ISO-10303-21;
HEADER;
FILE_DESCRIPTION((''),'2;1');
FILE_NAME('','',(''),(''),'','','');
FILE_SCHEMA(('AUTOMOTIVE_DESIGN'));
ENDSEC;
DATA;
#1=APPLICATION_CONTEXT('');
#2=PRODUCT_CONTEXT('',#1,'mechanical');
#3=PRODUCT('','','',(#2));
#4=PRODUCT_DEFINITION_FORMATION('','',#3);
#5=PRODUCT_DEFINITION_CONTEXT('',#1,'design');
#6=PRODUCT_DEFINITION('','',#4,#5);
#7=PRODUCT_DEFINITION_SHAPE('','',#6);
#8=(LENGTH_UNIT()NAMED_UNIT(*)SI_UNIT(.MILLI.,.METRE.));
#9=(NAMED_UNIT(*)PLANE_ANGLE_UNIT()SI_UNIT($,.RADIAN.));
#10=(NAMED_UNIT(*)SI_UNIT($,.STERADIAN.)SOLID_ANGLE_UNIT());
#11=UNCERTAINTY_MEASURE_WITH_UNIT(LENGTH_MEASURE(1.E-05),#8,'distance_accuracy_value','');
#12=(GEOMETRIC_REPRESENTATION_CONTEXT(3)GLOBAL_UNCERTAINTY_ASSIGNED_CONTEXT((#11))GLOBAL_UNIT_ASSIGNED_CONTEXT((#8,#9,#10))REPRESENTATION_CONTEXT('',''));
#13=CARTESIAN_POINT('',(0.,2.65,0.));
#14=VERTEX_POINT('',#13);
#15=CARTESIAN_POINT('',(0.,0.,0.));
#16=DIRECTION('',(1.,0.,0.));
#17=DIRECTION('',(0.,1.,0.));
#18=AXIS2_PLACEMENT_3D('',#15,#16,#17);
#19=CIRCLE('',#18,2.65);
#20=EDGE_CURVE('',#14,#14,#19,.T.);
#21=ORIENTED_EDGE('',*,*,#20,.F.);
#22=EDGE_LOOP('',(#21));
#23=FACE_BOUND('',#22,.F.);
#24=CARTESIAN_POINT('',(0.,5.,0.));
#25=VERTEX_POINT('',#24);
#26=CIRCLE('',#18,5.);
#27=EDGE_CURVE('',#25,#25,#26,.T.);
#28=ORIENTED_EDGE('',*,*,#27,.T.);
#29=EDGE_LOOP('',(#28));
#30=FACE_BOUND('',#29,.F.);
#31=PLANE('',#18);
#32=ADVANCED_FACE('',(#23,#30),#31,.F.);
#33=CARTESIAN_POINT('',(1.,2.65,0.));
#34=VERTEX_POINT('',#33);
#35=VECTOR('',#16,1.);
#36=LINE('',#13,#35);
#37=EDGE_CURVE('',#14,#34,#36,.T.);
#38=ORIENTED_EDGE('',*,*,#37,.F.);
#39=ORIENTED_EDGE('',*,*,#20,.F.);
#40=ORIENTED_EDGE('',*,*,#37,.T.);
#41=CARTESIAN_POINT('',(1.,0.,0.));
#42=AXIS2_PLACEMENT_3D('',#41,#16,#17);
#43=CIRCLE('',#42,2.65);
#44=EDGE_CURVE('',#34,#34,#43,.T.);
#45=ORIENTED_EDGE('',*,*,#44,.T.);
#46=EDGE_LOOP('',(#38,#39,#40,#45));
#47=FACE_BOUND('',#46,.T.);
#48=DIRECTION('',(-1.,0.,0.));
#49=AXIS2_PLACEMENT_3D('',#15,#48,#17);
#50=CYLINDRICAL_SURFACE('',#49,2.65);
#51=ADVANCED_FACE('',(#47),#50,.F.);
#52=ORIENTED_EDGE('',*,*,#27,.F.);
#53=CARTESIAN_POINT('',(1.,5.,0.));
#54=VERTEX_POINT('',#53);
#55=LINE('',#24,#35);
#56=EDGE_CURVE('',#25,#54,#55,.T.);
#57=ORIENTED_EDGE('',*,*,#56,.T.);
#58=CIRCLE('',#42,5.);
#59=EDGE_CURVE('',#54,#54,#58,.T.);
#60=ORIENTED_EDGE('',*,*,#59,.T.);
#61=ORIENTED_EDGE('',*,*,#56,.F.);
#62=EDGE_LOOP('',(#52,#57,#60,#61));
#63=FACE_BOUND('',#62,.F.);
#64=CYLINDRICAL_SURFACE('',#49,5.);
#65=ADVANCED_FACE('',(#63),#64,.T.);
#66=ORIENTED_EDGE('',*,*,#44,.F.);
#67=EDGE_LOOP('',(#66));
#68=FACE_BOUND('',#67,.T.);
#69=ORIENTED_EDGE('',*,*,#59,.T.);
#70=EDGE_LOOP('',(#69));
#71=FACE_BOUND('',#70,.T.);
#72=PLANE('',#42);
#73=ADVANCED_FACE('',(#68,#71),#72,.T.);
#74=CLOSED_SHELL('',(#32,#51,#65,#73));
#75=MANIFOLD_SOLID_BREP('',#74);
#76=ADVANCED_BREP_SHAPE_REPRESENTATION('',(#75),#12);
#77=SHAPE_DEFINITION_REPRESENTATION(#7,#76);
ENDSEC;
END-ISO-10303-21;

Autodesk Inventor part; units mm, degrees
ref_plane "YZ Plane" through (0, 0, 0) normal (1, 0, 0) x (0, 1, 0)
ref_plane "XZ Plane" through (0, 0, 0) normal (0, 1, 0) x (-1, 0, 0)
sketch "Skizze" plane through (0, 0, 0) normal (1, 0, 0) x (0, 1, 0)
  circle A0 centre (0, 0) radius 5
  circle A1 centre (0, 0) radius 2.65
  dimension "d0" = 5.3
  dimension "d1" = 10
extrude "Körper" add sketch "Skizze" along normal blind 1
ref_plane "Work Plane1" through (0, 0, 0) normal (0, 0, 1) x (1, 0, 0)
equation "\"d0\" = SD1"
equation "\"d1\" = SD2"
equation "\"d2\" = SD"
equation "\"SD1\" = 5.3"
equation "\"SD2\" = 10"
equation "\"SD\" = 1"
equation "\"NND\" = 5"
properties part number "ISO 7089 - 5" material "Edelstahl"
